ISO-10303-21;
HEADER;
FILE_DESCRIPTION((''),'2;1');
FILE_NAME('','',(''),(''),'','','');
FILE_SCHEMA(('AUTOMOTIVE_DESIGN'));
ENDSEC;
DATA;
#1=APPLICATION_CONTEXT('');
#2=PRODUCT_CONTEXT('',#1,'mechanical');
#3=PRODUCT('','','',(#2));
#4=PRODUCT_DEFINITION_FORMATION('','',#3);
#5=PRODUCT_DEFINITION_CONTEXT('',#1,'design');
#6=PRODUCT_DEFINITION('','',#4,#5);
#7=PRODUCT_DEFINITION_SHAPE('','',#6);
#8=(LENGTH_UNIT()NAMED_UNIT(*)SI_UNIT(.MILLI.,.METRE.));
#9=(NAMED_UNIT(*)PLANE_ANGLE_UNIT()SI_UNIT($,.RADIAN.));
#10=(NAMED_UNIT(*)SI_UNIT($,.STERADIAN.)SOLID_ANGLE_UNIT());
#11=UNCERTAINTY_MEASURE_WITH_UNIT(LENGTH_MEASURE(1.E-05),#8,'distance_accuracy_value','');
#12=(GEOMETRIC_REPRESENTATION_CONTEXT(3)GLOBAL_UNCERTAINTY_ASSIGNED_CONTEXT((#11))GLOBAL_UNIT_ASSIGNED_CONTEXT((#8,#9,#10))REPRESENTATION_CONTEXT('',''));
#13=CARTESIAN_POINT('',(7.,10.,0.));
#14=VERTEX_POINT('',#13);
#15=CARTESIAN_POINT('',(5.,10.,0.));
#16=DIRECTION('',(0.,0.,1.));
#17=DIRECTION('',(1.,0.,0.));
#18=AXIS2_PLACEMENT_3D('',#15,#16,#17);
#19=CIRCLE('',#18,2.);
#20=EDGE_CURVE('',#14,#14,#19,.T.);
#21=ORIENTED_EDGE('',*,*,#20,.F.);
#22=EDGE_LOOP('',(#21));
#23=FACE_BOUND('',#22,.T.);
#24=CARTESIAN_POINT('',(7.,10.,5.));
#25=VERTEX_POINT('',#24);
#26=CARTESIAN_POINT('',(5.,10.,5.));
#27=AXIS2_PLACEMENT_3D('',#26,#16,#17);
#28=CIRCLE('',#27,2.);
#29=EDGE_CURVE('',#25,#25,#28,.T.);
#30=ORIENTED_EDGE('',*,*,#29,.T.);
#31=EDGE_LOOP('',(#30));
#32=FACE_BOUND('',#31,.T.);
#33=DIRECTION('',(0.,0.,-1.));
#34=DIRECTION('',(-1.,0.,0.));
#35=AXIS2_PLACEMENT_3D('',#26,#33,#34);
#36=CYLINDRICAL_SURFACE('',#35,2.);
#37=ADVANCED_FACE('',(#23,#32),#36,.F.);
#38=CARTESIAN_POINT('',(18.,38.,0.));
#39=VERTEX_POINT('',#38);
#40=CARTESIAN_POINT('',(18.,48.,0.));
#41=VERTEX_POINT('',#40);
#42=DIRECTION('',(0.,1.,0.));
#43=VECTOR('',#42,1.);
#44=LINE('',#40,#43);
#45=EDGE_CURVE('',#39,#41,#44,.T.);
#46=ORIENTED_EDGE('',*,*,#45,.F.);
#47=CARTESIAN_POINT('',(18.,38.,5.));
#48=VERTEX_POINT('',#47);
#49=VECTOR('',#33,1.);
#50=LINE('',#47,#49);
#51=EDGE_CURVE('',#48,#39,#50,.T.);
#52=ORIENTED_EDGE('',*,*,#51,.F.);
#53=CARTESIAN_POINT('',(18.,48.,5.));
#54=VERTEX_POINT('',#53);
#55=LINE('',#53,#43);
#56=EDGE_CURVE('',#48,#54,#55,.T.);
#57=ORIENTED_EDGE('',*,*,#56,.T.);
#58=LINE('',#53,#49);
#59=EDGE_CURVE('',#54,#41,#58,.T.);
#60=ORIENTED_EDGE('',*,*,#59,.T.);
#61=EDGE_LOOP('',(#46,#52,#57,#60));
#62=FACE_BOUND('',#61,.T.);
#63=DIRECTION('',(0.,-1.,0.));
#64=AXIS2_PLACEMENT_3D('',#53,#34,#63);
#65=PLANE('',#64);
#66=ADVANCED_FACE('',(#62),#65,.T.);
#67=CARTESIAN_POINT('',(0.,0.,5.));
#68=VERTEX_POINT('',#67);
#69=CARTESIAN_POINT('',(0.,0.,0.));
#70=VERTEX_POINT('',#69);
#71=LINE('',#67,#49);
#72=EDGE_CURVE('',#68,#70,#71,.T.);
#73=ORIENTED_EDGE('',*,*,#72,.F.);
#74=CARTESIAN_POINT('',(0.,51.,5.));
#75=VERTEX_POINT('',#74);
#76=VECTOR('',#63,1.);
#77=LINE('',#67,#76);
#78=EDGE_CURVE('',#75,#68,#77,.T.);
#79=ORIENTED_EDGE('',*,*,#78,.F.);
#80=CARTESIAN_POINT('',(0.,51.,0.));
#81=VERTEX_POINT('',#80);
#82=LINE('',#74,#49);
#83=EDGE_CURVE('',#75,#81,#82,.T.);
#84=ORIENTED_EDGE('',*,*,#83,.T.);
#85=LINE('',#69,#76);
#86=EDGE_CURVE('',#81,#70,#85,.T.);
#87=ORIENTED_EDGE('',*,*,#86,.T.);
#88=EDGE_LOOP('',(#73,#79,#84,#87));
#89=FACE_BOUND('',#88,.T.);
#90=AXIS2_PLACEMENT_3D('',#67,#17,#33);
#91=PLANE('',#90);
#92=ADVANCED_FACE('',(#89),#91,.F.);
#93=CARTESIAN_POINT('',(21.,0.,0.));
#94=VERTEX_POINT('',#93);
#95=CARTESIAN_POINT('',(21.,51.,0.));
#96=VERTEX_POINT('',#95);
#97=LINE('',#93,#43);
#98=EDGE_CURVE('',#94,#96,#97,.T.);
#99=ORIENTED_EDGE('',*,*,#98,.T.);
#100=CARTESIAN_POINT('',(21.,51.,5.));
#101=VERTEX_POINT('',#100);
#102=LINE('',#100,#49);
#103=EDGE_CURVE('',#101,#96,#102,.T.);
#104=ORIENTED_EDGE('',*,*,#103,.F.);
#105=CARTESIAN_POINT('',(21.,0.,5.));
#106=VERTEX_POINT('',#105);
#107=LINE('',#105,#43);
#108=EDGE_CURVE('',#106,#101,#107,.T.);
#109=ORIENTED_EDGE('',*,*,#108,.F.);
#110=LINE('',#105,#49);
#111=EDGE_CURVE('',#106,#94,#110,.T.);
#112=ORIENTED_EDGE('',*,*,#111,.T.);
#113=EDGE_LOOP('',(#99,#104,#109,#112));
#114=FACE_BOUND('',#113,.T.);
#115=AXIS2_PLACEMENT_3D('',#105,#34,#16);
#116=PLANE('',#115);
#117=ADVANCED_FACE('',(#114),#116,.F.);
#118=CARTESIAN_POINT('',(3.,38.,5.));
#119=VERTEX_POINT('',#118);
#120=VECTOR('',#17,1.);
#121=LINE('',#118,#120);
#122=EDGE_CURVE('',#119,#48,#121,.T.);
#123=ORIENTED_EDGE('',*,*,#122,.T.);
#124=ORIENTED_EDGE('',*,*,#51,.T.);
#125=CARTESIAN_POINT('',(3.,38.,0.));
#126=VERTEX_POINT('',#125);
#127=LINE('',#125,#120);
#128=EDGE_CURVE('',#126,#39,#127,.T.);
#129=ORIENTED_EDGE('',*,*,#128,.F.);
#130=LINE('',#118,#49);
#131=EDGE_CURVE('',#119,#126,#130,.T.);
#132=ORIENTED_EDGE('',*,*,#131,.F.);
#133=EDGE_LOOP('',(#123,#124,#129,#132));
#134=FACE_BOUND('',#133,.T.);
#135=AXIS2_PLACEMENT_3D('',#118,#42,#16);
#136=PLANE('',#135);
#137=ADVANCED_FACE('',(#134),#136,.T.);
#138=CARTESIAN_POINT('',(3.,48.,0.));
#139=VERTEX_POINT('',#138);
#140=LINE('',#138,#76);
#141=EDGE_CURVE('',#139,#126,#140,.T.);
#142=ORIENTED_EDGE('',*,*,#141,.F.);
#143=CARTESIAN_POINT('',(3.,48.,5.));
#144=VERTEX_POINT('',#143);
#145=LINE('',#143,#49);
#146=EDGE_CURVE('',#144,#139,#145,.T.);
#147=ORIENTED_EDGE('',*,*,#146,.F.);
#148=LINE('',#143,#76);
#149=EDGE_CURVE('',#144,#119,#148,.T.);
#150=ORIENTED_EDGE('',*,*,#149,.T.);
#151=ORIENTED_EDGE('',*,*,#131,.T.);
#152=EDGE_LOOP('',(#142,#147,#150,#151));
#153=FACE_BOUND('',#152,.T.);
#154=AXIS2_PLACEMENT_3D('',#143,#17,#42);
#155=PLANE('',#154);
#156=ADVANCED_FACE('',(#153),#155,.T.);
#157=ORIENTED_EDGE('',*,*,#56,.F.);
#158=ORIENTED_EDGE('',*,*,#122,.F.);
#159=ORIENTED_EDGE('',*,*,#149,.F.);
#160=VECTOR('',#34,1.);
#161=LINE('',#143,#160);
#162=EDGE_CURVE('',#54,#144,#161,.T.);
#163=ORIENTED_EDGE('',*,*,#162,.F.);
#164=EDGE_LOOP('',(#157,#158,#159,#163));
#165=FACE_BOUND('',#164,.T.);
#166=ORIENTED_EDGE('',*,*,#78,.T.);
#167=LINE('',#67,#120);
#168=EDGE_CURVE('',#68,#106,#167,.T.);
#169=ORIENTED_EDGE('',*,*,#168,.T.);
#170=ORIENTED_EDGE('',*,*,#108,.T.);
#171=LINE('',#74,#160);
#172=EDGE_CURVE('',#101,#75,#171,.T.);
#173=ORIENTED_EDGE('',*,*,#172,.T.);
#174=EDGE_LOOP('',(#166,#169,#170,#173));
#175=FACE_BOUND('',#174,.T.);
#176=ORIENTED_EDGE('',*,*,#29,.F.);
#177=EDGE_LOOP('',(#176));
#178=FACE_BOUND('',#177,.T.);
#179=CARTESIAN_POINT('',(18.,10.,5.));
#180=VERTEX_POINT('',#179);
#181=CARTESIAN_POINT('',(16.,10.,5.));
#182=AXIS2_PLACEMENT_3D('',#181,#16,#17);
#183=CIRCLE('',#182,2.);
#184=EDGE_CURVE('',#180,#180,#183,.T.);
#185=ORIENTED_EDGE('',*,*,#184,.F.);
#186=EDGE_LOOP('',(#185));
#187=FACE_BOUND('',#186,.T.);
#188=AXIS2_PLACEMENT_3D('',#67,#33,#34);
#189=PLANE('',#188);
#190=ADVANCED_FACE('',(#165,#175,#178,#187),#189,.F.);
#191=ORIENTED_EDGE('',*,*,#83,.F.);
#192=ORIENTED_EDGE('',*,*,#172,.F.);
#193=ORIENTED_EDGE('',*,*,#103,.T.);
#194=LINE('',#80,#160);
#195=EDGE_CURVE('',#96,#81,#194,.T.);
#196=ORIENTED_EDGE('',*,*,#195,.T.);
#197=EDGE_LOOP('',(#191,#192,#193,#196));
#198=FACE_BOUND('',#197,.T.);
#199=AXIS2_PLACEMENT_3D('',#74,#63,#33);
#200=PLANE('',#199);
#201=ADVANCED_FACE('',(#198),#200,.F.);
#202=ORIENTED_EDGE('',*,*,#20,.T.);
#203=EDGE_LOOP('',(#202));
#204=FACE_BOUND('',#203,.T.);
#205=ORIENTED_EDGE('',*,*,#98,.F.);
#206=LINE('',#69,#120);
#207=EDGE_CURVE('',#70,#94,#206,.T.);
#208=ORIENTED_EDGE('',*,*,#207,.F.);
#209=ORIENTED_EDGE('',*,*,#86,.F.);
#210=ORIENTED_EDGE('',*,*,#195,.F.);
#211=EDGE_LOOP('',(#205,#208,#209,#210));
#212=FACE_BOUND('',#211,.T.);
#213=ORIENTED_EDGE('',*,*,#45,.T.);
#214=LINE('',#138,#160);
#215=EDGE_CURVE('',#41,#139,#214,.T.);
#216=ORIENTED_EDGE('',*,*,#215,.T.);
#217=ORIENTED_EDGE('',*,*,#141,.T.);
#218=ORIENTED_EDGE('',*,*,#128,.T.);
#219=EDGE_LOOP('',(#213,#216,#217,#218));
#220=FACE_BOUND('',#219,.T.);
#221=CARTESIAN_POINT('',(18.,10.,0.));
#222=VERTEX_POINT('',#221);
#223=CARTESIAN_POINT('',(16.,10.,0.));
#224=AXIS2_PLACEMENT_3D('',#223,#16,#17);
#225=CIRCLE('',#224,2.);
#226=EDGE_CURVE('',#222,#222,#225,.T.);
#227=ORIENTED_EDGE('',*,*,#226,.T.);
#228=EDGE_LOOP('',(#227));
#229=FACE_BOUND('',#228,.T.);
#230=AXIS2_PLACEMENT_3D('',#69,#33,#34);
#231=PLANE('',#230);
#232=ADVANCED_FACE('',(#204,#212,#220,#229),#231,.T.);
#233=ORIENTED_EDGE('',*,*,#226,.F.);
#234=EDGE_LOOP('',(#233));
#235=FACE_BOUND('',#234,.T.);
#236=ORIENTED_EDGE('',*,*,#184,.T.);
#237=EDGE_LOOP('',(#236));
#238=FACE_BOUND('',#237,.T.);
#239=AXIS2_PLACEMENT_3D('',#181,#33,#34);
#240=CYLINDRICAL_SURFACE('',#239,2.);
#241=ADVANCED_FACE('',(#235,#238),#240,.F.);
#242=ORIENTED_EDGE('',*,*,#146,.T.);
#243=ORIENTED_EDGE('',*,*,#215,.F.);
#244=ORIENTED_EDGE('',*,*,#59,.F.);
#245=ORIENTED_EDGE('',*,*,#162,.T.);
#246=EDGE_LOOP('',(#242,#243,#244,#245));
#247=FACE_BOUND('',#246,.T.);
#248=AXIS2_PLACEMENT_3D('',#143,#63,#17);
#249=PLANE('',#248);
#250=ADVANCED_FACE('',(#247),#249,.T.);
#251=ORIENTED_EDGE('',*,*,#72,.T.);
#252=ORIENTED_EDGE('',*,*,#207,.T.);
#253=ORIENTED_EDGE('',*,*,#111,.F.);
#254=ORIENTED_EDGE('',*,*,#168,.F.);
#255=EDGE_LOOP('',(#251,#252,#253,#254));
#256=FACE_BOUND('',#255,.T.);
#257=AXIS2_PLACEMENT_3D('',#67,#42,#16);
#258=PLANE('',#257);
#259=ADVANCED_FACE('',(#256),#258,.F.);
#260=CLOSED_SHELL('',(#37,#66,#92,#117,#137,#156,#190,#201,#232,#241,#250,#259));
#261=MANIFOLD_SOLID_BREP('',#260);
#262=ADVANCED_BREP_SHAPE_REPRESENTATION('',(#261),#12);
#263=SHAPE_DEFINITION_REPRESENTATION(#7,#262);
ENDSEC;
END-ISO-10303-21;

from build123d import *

# Parameters (mm, degrees)
SKETCH1_W           = 21
SKETCH1_H           = 51
SKETCH1_R           = 2
SKETCH1_W_2         = 15
SKETCH1_H_2         = 10
BOSS_EXTRUDE1_DEPTH = 5


with BuildPart() as part:
    # Sketch1 → Boss-Extrude1 (new body)
    with BuildSketch(Plane.XY):
        with Locations((10.5, 25.5)):
            Rectangle(SKETCH1_W, SKETCH1_H)
        with Locations((5, 10)):
            Circle(SKETCH1_R, mode=Mode.SUBTRACT)
        with Locations((16, 10)):
            Circle(SKETCH1_R, mode=Mode.SUBTRACT)
        with Locations((10.5, 43)):
            Rectangle(SKETCH1_W_2, SKETCH1_H_2, mode=Mode.SUBTRACT)
    extrude(amount=BOSS_EXTRUDE1_DEPTH)


solid = part.part
